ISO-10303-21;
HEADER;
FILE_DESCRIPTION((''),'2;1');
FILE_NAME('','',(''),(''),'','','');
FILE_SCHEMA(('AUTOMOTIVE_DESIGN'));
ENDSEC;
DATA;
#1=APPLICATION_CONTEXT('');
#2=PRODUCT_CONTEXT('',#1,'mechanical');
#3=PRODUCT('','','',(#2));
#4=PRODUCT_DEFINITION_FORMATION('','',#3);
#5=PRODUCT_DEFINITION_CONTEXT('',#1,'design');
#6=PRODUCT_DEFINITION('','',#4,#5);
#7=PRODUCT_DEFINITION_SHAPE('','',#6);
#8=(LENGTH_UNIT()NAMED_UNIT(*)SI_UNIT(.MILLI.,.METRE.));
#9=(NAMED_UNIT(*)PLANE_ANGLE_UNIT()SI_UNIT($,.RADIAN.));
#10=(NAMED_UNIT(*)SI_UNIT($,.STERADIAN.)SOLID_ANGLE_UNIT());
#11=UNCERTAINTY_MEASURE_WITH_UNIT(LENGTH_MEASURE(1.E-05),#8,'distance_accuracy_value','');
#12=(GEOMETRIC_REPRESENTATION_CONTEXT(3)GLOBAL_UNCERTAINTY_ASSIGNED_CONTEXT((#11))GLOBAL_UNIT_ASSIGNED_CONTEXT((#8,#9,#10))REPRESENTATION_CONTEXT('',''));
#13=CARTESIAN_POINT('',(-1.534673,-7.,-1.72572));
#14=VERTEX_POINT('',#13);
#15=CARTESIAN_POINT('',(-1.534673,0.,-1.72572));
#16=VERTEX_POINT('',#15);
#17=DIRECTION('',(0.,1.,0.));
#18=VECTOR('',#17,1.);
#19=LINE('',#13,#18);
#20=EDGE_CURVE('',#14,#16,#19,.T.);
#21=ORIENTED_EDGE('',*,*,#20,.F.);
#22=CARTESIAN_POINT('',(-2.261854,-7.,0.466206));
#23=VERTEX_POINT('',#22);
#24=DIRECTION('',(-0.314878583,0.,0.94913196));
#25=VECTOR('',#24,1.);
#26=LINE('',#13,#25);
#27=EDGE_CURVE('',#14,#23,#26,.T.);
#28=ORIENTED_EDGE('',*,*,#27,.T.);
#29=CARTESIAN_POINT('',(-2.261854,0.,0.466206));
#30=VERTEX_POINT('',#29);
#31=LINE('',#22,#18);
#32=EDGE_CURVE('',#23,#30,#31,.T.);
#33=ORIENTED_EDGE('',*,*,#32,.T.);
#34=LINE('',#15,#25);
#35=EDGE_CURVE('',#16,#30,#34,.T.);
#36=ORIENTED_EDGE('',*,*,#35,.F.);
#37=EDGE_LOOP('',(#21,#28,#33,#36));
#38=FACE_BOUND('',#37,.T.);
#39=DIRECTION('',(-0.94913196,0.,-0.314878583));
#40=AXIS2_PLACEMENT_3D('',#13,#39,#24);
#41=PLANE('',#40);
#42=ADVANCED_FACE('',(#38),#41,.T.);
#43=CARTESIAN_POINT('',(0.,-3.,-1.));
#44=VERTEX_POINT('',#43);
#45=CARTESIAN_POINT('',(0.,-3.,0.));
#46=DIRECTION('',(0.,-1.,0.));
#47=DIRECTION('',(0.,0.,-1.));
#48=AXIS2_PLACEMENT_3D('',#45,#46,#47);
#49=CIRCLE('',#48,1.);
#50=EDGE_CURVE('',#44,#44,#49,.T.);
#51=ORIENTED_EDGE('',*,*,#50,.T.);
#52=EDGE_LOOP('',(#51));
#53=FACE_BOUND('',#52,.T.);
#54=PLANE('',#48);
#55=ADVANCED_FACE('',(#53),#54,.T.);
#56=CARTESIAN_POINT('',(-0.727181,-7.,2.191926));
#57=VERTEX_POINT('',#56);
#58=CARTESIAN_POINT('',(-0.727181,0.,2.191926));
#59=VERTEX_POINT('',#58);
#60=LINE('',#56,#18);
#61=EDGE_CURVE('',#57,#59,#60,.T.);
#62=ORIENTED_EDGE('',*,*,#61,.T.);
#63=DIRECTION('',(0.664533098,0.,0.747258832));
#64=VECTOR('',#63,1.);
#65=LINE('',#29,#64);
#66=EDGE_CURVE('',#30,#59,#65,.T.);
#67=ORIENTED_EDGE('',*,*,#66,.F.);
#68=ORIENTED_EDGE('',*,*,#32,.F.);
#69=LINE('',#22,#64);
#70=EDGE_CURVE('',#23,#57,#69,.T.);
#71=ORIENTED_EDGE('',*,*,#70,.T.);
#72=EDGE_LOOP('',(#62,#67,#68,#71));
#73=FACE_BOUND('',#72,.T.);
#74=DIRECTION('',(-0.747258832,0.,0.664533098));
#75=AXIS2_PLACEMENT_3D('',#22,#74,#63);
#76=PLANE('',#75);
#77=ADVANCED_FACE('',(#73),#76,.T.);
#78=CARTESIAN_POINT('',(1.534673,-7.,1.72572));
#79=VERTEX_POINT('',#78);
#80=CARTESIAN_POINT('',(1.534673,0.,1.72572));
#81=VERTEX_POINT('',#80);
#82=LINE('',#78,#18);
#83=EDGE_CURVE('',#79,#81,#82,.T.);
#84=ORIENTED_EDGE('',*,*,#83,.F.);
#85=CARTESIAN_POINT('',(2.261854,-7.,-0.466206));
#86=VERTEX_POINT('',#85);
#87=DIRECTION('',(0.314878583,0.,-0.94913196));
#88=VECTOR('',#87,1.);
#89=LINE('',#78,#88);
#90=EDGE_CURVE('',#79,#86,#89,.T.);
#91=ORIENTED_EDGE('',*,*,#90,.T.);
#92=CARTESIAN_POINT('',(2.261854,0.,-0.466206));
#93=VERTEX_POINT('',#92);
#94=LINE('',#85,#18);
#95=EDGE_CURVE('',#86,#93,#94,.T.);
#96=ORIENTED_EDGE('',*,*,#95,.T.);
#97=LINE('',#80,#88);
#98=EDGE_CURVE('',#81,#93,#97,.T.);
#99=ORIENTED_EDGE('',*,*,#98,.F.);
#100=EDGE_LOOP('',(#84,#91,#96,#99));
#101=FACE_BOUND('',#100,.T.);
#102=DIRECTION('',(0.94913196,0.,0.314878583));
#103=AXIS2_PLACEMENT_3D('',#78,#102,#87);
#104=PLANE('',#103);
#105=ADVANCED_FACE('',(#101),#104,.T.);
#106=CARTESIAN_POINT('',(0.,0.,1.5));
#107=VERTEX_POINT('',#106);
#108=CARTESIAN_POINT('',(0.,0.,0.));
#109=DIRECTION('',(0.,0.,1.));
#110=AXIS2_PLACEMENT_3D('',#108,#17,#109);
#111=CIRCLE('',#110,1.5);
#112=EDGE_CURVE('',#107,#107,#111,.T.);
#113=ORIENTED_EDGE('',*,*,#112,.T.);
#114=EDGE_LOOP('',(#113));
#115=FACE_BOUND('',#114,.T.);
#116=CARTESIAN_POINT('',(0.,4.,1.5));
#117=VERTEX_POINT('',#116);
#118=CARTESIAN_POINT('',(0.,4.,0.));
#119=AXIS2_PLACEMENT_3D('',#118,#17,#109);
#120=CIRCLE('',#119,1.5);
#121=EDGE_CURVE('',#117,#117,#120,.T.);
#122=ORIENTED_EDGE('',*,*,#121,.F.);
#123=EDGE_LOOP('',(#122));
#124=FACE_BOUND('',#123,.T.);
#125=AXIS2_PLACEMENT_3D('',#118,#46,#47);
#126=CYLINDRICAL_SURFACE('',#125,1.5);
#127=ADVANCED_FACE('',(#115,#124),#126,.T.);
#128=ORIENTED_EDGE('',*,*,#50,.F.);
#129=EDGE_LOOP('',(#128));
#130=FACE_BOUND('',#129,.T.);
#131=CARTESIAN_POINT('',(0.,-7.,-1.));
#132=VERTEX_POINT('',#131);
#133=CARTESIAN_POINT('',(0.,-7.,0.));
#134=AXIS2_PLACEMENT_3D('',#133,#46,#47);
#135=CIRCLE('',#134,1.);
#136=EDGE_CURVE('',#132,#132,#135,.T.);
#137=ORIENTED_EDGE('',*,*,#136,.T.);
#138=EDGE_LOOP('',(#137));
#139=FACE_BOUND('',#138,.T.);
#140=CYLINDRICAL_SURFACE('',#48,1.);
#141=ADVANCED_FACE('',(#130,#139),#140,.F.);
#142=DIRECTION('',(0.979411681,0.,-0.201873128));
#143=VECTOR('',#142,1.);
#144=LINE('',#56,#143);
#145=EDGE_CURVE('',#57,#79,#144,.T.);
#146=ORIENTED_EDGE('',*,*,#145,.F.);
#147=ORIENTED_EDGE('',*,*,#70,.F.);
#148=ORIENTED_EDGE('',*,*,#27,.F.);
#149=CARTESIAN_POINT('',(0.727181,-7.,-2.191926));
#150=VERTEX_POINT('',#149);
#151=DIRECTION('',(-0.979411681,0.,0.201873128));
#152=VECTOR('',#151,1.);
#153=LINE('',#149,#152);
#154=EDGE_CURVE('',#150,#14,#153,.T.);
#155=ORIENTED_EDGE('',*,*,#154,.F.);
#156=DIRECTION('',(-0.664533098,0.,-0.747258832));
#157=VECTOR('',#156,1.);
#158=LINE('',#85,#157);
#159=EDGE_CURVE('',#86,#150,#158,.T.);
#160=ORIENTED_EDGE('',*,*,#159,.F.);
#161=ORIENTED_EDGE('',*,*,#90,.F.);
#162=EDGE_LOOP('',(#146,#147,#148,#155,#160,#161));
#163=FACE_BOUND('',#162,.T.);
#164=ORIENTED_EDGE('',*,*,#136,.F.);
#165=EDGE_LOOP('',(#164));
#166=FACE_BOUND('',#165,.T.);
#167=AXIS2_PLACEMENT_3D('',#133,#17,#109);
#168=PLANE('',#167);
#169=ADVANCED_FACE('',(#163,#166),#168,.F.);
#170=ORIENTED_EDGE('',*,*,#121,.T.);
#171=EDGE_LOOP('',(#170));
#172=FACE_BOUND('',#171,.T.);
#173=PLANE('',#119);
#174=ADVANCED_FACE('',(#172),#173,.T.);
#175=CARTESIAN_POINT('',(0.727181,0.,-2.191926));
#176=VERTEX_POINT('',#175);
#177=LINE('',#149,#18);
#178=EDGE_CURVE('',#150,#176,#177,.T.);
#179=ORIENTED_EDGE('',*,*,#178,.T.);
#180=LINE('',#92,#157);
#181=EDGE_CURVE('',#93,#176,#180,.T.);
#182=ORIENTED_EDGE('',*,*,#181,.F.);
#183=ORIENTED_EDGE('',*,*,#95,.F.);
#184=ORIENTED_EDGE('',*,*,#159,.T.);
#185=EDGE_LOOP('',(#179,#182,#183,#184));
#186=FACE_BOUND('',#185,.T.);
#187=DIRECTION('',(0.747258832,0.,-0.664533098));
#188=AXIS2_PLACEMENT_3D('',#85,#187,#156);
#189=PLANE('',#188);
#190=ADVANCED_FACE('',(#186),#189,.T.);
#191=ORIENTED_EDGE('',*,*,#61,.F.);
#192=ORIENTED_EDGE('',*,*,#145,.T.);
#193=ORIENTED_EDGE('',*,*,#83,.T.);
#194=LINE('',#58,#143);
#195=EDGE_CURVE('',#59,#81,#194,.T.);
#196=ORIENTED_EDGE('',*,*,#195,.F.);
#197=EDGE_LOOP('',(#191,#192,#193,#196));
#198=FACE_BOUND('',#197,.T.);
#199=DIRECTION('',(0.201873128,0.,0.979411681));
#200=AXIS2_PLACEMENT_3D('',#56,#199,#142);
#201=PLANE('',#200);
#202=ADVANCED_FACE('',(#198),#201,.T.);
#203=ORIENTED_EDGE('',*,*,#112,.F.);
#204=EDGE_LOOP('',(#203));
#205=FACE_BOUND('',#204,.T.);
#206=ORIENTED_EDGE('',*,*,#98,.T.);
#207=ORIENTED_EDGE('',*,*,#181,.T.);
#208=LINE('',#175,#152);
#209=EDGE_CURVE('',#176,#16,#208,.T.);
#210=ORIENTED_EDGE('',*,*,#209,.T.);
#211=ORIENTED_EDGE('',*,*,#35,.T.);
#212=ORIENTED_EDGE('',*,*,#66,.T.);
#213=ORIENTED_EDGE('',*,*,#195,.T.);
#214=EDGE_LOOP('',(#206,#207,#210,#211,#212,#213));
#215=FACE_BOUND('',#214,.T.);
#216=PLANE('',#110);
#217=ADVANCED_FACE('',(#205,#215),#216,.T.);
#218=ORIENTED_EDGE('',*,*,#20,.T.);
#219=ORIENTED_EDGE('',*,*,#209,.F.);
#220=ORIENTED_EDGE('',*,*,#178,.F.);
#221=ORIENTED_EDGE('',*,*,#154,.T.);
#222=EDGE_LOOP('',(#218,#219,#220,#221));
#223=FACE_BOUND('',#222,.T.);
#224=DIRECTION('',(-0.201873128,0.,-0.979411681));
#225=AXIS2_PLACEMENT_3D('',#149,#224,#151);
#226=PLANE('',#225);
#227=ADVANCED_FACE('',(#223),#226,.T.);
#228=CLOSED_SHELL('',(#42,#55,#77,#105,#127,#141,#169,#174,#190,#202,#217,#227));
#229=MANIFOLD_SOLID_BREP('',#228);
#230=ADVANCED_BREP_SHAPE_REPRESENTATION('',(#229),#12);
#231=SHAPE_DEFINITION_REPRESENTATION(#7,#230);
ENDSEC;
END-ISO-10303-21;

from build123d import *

# Parameters (mm, degrees)
SKETCH1_R           = 1.5
BOSS_EXTRUDE1_DEPTH = 4
BOSS_EXTRUDE2_DEPTH = 7
SKETCH3_R           = 1
CUT_EXTRUDE1_DEPTH  = 4


with BuildPart() as part:
    # Sketch1 → Boss-Extrude1 (new body)
    with BuildSketch(Plane(origin=(0, 0, 0), x_dir=(1, 0, 0), z_dir=(0, 1, 0))):
        with Locations(Location((0, 0, 0), (0, 0, 270))):
            Circle(SKETCH1_R)
    extrude(amount=BOSS_EXTRUDE1_DEPTH)

    # Sketch2 → Boss-Extrude2 (add)
    with BuildSketch(Plane(origin=(0, 0, 0), x_dir=(1, 0, 0), z_dir=(0, 1, 0))):
        Polygon((1.534673451, -1.725720351), (2.26185439, 0.46620602), (0.727180939, 2.191926371), (-1.534673451, 1.725720351), (-2.26185439, -0.46620602), (-0.727180939, -2.191926371), align=None)
    extrude(amount=-BOSS_EXTRUDE2_DEPTH)

    # Sketch3 → Cut-Extrude1 (cut)
    with BuildSketch(Plane.XZ.offset(7)):
        with Locations(Location((0, 0, 0), (0, 0, 270))):
            Circle(SKETCH3_R)
    extrude(amount=-CUT_EXTRUDE1_DEPTH, mode=Mode.SUBTRACT)


solid = part.part
